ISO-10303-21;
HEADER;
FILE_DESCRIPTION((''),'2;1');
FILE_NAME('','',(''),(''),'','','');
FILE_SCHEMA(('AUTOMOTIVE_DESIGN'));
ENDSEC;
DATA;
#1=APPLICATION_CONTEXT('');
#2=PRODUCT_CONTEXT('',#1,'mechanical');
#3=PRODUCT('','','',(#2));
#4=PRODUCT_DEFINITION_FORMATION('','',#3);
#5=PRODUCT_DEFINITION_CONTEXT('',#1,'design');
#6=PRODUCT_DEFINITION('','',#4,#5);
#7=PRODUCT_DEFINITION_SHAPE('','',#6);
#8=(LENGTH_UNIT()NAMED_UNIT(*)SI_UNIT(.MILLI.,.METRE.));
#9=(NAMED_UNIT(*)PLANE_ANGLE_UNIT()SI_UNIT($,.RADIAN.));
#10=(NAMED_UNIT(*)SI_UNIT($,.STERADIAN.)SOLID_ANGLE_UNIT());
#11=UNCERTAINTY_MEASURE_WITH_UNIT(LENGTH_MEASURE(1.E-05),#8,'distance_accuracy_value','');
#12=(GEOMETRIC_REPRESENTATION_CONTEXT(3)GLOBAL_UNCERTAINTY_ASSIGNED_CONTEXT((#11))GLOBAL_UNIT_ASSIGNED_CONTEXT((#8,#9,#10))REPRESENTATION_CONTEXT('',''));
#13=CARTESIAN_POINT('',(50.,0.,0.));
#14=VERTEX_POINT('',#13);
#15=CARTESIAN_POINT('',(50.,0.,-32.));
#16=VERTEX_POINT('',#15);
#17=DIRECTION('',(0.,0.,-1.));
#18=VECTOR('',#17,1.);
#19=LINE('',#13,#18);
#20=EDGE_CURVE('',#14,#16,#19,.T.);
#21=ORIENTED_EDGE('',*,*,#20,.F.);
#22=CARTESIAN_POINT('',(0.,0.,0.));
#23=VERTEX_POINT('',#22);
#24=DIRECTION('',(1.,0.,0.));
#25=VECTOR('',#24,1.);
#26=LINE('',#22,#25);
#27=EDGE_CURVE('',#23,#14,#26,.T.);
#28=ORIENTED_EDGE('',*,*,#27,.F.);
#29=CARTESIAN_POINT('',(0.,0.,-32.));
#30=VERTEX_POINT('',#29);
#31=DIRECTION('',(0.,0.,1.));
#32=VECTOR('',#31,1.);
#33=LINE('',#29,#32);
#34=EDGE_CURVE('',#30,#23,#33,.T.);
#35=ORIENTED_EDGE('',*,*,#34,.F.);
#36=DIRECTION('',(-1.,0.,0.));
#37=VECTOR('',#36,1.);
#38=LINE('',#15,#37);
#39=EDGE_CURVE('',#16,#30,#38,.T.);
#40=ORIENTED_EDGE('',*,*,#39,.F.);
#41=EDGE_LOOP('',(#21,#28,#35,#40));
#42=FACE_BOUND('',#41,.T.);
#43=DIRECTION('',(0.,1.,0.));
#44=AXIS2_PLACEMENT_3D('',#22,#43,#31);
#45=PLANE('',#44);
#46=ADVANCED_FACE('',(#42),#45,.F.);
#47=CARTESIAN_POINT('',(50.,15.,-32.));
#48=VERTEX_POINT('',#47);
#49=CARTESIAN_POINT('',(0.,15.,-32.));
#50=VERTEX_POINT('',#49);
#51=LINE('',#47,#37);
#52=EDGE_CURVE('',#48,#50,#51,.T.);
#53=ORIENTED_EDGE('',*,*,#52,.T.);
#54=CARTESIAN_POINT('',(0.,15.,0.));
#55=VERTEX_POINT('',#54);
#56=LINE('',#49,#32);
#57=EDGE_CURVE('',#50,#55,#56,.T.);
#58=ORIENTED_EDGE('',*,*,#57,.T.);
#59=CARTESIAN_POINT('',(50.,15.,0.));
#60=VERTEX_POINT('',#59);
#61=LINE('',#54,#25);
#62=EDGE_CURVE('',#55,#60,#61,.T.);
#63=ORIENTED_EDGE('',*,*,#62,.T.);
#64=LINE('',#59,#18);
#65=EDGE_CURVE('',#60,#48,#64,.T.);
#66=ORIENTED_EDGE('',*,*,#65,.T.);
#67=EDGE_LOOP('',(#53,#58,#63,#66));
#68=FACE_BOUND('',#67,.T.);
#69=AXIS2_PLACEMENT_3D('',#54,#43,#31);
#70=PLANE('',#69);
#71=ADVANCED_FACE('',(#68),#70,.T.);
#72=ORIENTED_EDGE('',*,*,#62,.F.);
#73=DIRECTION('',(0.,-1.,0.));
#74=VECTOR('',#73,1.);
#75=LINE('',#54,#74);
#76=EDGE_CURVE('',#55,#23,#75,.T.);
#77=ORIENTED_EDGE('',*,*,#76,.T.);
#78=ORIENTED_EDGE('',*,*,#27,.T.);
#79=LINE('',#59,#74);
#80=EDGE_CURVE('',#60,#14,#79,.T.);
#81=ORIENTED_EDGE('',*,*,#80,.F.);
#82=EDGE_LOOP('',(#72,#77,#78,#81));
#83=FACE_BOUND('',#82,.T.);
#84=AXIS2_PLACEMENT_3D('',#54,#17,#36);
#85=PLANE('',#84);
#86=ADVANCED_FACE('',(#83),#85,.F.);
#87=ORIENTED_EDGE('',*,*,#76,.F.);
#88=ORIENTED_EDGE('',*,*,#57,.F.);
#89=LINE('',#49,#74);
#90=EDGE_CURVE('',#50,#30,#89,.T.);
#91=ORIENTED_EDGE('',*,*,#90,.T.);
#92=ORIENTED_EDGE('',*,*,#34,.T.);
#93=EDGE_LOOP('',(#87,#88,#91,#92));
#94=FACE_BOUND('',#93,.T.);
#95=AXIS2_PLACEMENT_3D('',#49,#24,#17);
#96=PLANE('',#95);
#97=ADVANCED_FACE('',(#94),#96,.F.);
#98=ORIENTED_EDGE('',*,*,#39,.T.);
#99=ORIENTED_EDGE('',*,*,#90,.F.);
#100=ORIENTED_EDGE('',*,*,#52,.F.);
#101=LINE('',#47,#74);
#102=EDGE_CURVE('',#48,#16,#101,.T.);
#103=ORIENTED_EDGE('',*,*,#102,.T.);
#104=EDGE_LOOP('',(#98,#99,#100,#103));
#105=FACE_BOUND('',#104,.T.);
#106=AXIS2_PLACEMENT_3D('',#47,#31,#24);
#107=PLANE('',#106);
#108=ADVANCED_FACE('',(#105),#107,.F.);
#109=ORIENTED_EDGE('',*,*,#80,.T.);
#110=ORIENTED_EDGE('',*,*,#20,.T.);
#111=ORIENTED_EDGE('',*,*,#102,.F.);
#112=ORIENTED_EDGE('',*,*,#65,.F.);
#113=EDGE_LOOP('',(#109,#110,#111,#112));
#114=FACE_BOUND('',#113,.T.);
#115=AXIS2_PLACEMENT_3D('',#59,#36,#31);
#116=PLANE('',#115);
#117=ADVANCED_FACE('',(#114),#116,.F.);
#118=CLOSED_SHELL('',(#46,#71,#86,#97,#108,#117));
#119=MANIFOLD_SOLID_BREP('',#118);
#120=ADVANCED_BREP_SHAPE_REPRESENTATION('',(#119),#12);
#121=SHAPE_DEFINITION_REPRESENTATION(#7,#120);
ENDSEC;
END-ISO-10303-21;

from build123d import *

# Parameters (mm, degrees)
SKETCH_1_W      = 50
SKETCH_1_H      = 32
EXTRUDE_1_DEPTH = 15


with BuildPart() as part:
    # 草图1 → 凸台-拉伸1 (new body)
    with BuildSketch(Plane(origin=(0, 0, 0), x_dir=(1, 0, 0), z_dir=(0, 1, 0))):
        with Locations((25, 16)):
            Rectangle(SKETCH_1_W, SKETCH_1_H)
    extrude(amount=EXTRUDE_1_DEPTH)


solid = part.part
